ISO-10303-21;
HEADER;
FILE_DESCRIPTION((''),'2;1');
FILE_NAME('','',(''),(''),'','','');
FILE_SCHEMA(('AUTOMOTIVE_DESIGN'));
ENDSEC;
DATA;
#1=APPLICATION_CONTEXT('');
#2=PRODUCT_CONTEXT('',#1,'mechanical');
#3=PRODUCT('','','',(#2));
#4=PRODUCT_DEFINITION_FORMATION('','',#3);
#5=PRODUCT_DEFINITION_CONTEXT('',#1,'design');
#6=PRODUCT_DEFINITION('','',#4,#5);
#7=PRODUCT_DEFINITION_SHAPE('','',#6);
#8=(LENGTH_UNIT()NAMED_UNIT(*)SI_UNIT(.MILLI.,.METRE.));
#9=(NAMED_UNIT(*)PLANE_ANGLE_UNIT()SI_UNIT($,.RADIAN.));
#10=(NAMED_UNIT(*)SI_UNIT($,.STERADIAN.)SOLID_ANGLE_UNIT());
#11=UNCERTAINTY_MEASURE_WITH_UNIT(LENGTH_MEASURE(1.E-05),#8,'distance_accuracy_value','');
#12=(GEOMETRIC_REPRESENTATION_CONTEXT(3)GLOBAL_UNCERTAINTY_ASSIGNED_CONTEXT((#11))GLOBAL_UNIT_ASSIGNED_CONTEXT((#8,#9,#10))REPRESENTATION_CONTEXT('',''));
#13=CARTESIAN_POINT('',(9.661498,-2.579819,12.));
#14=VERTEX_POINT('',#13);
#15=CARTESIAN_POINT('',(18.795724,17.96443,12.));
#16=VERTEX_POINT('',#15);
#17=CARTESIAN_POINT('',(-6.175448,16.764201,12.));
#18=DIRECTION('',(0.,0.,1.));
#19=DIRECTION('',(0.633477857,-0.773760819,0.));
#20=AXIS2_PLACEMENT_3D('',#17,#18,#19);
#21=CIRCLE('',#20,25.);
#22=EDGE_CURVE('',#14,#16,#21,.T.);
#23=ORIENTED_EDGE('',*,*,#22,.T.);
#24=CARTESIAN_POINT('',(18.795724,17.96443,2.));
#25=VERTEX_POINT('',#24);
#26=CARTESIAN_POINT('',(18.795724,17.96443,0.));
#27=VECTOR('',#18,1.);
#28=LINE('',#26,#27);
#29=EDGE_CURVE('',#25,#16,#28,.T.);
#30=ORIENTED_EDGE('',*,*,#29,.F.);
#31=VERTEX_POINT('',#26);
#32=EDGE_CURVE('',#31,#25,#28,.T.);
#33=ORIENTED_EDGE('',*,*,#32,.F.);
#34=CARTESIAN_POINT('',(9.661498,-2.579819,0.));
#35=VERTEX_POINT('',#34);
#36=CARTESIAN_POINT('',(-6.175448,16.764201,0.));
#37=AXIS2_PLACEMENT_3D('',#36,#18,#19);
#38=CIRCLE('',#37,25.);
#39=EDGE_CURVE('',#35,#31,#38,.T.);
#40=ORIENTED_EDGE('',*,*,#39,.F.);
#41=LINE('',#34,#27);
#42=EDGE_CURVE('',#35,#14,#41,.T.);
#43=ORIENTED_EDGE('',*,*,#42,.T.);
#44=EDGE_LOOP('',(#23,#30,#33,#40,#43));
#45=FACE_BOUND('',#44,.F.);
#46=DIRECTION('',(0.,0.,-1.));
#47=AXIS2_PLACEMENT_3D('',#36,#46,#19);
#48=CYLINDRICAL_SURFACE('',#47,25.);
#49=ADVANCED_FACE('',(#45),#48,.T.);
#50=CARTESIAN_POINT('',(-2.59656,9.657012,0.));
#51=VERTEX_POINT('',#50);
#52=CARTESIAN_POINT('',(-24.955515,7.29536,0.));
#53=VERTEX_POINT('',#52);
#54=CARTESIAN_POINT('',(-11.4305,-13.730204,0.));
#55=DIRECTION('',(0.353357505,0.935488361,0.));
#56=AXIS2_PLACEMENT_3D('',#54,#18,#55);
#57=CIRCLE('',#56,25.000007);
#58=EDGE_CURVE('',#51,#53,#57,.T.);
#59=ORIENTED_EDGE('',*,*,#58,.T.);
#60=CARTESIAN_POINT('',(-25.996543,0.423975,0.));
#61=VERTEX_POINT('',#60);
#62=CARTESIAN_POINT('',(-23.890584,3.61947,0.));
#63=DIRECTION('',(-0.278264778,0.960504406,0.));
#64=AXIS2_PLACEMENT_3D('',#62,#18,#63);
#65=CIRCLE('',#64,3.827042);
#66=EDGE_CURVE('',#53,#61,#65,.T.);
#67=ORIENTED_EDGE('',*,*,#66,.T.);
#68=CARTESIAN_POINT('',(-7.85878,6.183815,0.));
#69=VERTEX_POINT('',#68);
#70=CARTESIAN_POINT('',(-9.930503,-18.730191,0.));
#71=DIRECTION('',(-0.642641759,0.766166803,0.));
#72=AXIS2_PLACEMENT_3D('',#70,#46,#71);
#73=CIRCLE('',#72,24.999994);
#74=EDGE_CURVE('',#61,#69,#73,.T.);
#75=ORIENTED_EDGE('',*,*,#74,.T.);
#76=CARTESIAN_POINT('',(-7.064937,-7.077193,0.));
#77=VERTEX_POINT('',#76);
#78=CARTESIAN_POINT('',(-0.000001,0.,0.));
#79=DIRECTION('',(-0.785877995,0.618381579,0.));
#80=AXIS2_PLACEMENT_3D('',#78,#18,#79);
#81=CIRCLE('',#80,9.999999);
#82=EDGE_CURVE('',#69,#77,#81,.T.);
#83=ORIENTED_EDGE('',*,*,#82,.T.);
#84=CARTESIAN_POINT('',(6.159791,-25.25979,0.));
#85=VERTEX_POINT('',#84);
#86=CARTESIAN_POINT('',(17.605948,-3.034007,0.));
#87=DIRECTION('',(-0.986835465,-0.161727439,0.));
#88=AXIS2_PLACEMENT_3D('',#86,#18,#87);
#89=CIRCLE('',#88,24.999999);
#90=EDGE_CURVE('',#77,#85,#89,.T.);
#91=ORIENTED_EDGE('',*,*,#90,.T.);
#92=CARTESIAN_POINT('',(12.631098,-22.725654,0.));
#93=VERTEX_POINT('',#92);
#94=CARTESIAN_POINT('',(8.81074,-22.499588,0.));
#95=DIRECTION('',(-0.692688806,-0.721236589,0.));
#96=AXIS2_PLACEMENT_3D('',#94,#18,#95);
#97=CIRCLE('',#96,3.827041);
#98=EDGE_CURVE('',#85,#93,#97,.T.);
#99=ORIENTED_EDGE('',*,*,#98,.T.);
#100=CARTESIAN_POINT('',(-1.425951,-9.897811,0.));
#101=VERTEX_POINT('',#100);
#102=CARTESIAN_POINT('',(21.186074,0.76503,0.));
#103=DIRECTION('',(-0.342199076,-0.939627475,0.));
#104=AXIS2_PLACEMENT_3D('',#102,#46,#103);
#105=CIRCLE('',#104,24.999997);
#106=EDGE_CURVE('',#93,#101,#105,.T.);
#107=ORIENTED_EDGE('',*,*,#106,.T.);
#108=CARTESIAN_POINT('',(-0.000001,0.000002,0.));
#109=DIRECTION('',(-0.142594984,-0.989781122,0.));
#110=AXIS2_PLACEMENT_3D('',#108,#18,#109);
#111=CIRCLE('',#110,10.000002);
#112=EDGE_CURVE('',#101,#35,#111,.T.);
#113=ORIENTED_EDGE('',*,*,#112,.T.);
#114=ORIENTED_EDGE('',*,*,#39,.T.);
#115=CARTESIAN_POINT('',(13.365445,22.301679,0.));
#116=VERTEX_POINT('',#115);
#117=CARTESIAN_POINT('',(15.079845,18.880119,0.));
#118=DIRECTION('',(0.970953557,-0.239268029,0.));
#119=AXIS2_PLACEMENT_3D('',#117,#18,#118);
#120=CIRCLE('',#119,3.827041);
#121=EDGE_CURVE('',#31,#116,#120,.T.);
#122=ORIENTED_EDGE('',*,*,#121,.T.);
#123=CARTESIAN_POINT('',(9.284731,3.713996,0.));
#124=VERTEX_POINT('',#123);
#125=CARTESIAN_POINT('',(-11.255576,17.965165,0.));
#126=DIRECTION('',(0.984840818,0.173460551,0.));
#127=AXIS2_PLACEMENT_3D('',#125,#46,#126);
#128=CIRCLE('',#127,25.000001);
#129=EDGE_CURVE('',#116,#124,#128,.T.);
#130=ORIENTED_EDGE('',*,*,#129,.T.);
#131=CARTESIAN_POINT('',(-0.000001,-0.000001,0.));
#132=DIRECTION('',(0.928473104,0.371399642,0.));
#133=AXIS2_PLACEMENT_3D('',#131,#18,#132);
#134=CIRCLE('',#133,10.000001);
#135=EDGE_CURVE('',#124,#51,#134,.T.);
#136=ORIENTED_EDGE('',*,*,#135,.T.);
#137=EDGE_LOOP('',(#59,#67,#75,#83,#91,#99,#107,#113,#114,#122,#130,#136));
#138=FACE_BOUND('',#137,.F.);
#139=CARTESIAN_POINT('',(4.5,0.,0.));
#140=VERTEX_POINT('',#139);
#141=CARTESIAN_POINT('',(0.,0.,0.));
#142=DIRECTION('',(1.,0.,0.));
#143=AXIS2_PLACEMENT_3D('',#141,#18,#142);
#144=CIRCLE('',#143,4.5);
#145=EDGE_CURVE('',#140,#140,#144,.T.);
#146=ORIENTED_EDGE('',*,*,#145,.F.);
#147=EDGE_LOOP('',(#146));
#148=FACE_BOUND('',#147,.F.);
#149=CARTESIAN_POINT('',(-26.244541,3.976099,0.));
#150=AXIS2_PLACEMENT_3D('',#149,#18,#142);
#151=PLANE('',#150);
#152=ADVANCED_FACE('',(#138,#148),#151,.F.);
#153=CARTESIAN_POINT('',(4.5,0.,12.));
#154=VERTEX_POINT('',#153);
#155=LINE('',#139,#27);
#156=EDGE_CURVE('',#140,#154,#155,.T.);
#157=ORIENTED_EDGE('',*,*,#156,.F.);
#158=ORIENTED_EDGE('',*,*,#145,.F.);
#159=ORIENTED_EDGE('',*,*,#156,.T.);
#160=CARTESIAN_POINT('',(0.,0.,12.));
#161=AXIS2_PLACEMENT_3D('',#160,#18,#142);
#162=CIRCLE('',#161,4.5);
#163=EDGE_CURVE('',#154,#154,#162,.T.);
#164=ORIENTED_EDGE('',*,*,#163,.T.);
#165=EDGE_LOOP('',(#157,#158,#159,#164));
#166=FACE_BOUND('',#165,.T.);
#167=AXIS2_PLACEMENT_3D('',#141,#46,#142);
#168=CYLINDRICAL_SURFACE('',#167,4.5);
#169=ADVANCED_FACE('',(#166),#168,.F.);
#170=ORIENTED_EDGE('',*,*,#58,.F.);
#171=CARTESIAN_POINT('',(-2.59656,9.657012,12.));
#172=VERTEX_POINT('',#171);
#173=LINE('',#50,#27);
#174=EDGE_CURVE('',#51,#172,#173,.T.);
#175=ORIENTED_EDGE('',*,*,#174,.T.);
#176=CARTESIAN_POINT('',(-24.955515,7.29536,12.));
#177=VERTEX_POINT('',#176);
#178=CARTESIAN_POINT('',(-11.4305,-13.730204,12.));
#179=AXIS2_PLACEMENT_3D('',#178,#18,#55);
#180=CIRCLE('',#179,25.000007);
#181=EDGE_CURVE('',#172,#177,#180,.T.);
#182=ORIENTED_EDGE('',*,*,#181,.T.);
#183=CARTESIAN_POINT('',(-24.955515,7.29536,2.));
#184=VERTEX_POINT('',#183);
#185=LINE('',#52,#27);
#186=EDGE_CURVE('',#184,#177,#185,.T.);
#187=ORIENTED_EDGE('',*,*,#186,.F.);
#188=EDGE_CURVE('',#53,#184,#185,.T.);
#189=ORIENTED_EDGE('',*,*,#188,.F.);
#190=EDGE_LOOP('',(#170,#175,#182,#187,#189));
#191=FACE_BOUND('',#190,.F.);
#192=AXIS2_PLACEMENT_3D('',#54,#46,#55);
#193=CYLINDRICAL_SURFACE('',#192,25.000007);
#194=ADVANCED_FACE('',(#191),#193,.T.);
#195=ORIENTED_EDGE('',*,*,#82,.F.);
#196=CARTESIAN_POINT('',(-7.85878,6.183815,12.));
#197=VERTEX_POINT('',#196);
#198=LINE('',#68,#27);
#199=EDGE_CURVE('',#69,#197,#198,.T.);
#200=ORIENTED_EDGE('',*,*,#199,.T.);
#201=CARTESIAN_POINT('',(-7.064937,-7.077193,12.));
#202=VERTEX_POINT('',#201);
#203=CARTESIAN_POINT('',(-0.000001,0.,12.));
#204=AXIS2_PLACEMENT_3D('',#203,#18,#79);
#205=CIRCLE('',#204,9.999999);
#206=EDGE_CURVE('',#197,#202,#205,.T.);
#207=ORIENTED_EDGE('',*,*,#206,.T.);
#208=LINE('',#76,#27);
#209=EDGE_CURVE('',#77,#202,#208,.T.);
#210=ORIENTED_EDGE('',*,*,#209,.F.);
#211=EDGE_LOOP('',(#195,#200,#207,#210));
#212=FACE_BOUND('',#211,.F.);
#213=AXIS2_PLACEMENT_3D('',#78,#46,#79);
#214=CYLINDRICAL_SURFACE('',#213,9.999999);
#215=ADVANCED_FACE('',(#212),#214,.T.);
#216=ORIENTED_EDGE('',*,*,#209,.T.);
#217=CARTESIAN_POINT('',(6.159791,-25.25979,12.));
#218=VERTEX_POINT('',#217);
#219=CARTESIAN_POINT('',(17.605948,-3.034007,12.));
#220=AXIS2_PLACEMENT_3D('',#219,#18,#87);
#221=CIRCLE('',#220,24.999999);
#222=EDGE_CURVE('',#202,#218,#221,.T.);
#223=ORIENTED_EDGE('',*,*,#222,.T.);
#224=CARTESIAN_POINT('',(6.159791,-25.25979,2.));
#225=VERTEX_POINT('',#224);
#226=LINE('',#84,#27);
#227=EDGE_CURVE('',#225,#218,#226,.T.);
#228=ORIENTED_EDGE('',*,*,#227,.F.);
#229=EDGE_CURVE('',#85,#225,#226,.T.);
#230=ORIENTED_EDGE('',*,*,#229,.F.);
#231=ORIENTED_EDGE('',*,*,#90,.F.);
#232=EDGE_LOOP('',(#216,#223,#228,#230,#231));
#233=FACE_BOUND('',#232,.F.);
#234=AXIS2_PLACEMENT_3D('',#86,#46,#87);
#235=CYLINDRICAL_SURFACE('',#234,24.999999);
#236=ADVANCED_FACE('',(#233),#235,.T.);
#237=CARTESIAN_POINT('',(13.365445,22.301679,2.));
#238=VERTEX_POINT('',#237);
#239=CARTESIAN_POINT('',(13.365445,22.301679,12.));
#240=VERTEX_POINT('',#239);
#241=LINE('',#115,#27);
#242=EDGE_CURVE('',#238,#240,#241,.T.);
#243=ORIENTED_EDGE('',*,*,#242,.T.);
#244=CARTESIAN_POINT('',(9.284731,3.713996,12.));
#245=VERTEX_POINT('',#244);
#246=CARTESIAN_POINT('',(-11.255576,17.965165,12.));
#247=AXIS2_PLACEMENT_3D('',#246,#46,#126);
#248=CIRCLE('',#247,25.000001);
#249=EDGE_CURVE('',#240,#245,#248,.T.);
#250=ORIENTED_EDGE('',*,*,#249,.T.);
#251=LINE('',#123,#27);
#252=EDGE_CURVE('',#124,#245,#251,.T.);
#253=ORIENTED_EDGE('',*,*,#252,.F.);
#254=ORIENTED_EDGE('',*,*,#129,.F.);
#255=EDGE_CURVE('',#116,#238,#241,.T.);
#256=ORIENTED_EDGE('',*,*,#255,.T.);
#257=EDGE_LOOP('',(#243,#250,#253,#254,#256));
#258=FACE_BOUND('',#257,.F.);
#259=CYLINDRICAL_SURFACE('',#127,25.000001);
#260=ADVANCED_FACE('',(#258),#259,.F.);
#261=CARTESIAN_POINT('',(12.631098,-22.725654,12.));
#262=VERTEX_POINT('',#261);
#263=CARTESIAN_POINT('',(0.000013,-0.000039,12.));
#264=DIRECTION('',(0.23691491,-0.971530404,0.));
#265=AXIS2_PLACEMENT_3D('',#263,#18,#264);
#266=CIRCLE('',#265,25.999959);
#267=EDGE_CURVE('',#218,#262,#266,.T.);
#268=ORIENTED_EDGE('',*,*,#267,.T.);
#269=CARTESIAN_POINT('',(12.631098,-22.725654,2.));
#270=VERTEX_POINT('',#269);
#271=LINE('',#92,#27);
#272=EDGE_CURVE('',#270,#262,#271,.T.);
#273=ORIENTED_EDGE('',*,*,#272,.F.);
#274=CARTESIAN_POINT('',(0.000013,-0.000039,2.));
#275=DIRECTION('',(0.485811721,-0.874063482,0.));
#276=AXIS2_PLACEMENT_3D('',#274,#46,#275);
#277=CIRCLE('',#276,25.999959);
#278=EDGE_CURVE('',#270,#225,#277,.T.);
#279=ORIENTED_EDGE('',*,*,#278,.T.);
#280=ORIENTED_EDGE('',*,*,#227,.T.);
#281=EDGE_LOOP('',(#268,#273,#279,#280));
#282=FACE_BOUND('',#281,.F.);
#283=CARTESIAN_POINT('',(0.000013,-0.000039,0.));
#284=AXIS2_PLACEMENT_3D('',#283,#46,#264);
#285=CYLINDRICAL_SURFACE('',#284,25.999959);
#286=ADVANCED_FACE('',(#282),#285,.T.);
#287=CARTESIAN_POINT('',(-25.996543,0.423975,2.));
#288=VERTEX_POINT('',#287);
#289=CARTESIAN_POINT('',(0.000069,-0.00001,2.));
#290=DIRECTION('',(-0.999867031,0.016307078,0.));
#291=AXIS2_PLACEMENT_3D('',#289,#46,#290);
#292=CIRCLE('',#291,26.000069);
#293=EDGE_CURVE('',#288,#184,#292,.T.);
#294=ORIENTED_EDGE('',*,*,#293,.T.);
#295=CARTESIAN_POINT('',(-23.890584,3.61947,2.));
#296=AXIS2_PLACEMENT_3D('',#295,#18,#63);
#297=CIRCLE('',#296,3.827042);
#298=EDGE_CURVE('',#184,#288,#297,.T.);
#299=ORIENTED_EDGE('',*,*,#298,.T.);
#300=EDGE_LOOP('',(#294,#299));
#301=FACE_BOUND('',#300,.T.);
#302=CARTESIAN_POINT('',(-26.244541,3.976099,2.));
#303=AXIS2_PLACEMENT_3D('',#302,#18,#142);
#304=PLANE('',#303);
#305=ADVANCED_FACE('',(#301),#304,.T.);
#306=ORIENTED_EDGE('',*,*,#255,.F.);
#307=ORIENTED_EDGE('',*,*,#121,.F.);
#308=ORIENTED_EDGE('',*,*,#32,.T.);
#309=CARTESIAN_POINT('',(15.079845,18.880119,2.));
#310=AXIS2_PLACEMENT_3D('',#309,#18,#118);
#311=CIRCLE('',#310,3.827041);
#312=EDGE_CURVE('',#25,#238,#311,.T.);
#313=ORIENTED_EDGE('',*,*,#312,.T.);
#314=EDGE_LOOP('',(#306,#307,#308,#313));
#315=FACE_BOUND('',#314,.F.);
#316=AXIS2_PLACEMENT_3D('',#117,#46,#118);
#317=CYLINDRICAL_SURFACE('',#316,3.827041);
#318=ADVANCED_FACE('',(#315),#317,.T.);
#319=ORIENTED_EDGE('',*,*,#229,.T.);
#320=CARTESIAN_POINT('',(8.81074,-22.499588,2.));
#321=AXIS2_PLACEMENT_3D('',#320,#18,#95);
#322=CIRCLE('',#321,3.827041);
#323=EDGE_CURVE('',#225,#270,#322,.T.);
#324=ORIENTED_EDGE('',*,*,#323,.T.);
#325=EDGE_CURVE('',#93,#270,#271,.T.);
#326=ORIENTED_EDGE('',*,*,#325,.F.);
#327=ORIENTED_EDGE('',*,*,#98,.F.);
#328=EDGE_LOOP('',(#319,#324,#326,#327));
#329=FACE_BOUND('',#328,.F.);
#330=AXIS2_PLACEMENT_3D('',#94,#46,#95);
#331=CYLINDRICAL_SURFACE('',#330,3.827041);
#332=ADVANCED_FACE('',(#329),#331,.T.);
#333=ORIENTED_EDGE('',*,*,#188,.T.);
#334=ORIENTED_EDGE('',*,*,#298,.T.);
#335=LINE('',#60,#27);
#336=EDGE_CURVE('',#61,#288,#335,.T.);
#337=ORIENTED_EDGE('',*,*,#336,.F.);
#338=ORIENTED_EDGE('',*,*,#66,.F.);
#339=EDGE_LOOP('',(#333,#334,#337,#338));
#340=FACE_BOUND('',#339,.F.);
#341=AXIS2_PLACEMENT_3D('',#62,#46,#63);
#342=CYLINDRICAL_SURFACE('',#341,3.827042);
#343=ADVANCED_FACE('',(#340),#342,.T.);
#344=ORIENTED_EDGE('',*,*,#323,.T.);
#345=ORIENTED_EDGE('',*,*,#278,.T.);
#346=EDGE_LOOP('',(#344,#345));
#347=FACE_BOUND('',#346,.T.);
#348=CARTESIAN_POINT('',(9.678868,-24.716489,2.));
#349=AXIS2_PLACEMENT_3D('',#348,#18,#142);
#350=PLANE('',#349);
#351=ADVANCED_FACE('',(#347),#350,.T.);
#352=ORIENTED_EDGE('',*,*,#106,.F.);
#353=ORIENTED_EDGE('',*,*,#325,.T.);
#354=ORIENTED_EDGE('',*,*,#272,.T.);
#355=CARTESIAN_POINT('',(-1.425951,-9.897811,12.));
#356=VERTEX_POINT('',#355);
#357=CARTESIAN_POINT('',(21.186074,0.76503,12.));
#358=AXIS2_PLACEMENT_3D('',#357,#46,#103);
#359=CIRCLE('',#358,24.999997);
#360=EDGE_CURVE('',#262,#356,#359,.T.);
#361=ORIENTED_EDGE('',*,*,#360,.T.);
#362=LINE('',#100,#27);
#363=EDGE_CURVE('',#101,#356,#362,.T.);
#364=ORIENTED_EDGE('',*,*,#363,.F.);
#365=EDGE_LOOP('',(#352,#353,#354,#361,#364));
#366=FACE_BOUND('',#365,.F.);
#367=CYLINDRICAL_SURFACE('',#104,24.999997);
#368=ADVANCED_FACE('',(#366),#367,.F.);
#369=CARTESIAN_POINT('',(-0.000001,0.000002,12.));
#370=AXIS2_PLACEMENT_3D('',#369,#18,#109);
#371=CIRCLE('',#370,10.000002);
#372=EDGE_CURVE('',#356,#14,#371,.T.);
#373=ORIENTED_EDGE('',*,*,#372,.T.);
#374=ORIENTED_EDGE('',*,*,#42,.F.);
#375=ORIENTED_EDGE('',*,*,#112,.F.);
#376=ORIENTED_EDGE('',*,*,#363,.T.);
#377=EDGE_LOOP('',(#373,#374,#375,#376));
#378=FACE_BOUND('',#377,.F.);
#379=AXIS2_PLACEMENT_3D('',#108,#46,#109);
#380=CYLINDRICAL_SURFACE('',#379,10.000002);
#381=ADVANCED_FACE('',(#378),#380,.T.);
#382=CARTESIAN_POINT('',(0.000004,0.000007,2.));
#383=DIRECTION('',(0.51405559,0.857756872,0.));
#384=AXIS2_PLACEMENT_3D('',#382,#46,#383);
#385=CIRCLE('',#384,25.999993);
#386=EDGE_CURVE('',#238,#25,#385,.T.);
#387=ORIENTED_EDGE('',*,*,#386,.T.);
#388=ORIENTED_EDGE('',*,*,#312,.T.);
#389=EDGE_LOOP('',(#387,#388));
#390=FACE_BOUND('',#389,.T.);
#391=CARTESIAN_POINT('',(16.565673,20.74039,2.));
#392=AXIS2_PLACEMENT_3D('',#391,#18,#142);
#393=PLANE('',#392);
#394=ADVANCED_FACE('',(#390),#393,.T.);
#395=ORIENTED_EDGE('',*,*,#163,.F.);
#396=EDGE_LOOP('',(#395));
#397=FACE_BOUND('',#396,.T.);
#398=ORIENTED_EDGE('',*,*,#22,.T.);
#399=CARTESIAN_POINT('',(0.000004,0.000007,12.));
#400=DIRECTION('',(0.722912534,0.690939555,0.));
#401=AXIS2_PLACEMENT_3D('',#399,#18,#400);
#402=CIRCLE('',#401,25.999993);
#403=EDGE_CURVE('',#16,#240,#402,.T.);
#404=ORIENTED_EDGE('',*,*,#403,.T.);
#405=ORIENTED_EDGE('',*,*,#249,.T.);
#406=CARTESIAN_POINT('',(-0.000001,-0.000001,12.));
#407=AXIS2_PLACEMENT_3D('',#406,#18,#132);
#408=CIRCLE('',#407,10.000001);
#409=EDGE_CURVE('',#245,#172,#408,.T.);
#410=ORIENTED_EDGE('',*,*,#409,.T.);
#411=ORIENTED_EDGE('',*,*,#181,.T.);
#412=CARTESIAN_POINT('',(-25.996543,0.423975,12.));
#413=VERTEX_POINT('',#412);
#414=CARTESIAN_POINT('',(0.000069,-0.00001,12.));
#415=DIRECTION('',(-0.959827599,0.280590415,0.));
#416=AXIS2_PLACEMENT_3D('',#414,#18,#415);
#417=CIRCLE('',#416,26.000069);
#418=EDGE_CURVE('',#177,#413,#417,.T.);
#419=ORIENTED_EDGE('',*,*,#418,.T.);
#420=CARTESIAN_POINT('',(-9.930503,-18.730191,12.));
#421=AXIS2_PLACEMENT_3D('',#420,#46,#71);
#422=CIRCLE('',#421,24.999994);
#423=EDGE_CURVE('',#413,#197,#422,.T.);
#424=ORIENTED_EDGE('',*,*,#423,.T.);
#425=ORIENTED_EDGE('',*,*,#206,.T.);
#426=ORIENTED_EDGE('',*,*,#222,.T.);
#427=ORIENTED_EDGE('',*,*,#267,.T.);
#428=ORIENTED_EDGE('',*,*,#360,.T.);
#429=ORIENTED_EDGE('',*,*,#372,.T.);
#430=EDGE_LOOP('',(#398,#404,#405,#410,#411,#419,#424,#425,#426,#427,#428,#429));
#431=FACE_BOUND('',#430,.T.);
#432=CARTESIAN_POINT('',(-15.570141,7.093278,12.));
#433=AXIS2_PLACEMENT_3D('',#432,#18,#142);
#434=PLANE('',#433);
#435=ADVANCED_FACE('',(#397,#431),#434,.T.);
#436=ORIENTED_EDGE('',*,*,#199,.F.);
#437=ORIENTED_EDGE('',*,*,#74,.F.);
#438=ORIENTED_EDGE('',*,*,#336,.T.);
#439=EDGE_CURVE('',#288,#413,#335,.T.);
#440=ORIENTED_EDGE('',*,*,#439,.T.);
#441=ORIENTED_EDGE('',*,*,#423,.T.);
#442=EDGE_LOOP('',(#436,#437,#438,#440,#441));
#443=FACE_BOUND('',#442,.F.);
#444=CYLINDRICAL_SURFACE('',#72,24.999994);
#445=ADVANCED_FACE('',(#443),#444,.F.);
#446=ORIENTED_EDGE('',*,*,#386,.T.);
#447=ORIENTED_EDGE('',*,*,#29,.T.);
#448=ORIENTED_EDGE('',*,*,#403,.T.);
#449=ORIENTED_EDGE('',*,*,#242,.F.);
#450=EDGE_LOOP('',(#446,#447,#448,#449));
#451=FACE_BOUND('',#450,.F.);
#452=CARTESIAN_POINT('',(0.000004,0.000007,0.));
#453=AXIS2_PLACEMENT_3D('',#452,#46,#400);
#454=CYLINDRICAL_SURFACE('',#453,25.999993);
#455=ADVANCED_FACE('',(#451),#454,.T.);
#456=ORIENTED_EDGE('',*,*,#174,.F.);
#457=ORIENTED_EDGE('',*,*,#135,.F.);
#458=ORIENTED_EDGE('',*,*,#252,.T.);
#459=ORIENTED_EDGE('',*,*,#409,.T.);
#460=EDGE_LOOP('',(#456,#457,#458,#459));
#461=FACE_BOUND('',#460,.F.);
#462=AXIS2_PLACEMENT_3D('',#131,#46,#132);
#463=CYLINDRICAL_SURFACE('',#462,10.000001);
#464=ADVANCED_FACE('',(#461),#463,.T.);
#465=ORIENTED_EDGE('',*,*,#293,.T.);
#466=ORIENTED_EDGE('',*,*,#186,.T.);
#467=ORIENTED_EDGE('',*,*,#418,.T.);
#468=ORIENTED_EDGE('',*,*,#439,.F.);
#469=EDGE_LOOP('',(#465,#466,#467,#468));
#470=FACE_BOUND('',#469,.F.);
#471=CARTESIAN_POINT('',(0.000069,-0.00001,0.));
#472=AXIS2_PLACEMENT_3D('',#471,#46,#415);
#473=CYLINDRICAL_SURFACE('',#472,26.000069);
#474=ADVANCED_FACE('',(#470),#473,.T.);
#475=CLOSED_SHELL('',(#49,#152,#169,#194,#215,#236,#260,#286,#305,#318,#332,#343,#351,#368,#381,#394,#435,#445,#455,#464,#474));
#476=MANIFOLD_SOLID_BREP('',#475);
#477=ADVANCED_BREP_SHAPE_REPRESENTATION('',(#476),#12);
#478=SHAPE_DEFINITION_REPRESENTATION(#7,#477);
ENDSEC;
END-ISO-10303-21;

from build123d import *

# Parameters (mm, degrees)
F0_R     = 4.5
F1_DEPTH = 12
F2_DEPTH = 2


with BuildPart() as f1:
    # F0 (on Top) → F1 (new body)
    with BuildSketch(Plane.XY):
        with BuildLine():
            ThreePointArc((-7.85878, 6.183815), (-5.508567, 8.345998), (-2.59656, 9.657012))
            ThreePointArc((-2.59656, 9.657012), (-14.056504, 11.131503), (-24.955515, 7.29536))
            ThreePointArc((-24.955515, 7.29536), (-25.706653, 3.894607), (-25.996543, 0.423975))
            ThreePointArc((-25.996543, 0.423975), (-17.497151, 5.097221), (-7.85878, 6.183815))
        make_face()
        with BuildLine():
            ThreePointArc((9.284731, 3.713996), (9.819555, 1.891122), (10, 0))
            ThreePointArc((10, 0), (9.915013, -1.300966), (9.661498, -2.579819))
            ThreePointArc((9.661498, -2.579819), (16.668417, 6.607538), (18.795724, 17.96443))
            ThreePointArc((18.795724, 17.96443), (16.226156, 20.315311), (13.365445, 22.301679))
            ThreePointArc((13.365445, 22.301679), (13.162898, 12.604367), (9.284731, 3.713996))
        make_face()
        with BuildLine():
            ThreePointArc((9.661498, -2.579819), (9.915013, -1.300966), (10, 0))
            ThreePointArc((10, 0), (9.819555, 1.891122), (9.284731, 3.713996))
            ThreePointArc((9.284731, 3.713996), (4.473563, 8.943558), (-2.59656, 9.657012))
            ThreePointArc((-2.59656, 9.657012), (-5.508567, 8.345998), (-7.85878, 6.183815))
            ThreePointArc((-7.85878, 6.183815), (-9.98213, -0.59756), (-7.064937, -7.077193))
            ThreePointArc((-7.064937, -7.077193), (-4.473563, -8.943558), (-1.425951, -9.897811))
            ThreePointArc((-1.425951, -9.897811), (5.508567, -8.345998), (9.661498, -2.579819))
        make_face()
        Circle(F0_R, mode=Mode.SUBTRACT)
        with BuildLine():
            ThreePointArc((12.631098, -22.725654), (4.334253, -17.701588), (-1.425951, -9.897811))
            ThreePointArc((-1.425951, -9.897811), (-4.473563, -8.943558), (-7.064937, -7.077193))
            ThreePointArc((-7.064937, -7.077193), (-2.611913, -17.739041), (6.159791, -25.25979))
            ThreePointArc((6.159791, -25.25979), (9.480498, -24.209919), (12.631098, -22.725654))
        make_face()
    extrude(amount=F1_DEPTH)

    # F0 (on Top) → F2 (join)
    with BuildSketch(Plane.XY):
        with BuildLine():
            ThreePointArc((-25.996543, 0.423975), (-25.706653, 3.894607), (-24.955515, 7.29536))
            ThreePointArc((-24.955515, 7.29536), (-27.674447, 4.192732), (-25.996543, 0.423975))
        make_face()
        with BuildLine():
            ThreePointArc((6.159791, -25.25979), (10.206211, -26.06314), (12.631098, -22.725654))
            ThreePointArc((12.631098, -22.725654), (9.480498, -24.209919), (6.159791, -25.25979))
        make_face()
        with BuildLine():
            ThreePointArc((18.795724, 17.96443), (17.468236, 21.870408), (13.365445, 22.301679))
            ThreePointArc((13.365445, 22.301679), (16.226156, 20.315311), (18.795724, 17.96443))
        make_face()
    extrude(amount=F2_DEPTH)


solid = f1.part
